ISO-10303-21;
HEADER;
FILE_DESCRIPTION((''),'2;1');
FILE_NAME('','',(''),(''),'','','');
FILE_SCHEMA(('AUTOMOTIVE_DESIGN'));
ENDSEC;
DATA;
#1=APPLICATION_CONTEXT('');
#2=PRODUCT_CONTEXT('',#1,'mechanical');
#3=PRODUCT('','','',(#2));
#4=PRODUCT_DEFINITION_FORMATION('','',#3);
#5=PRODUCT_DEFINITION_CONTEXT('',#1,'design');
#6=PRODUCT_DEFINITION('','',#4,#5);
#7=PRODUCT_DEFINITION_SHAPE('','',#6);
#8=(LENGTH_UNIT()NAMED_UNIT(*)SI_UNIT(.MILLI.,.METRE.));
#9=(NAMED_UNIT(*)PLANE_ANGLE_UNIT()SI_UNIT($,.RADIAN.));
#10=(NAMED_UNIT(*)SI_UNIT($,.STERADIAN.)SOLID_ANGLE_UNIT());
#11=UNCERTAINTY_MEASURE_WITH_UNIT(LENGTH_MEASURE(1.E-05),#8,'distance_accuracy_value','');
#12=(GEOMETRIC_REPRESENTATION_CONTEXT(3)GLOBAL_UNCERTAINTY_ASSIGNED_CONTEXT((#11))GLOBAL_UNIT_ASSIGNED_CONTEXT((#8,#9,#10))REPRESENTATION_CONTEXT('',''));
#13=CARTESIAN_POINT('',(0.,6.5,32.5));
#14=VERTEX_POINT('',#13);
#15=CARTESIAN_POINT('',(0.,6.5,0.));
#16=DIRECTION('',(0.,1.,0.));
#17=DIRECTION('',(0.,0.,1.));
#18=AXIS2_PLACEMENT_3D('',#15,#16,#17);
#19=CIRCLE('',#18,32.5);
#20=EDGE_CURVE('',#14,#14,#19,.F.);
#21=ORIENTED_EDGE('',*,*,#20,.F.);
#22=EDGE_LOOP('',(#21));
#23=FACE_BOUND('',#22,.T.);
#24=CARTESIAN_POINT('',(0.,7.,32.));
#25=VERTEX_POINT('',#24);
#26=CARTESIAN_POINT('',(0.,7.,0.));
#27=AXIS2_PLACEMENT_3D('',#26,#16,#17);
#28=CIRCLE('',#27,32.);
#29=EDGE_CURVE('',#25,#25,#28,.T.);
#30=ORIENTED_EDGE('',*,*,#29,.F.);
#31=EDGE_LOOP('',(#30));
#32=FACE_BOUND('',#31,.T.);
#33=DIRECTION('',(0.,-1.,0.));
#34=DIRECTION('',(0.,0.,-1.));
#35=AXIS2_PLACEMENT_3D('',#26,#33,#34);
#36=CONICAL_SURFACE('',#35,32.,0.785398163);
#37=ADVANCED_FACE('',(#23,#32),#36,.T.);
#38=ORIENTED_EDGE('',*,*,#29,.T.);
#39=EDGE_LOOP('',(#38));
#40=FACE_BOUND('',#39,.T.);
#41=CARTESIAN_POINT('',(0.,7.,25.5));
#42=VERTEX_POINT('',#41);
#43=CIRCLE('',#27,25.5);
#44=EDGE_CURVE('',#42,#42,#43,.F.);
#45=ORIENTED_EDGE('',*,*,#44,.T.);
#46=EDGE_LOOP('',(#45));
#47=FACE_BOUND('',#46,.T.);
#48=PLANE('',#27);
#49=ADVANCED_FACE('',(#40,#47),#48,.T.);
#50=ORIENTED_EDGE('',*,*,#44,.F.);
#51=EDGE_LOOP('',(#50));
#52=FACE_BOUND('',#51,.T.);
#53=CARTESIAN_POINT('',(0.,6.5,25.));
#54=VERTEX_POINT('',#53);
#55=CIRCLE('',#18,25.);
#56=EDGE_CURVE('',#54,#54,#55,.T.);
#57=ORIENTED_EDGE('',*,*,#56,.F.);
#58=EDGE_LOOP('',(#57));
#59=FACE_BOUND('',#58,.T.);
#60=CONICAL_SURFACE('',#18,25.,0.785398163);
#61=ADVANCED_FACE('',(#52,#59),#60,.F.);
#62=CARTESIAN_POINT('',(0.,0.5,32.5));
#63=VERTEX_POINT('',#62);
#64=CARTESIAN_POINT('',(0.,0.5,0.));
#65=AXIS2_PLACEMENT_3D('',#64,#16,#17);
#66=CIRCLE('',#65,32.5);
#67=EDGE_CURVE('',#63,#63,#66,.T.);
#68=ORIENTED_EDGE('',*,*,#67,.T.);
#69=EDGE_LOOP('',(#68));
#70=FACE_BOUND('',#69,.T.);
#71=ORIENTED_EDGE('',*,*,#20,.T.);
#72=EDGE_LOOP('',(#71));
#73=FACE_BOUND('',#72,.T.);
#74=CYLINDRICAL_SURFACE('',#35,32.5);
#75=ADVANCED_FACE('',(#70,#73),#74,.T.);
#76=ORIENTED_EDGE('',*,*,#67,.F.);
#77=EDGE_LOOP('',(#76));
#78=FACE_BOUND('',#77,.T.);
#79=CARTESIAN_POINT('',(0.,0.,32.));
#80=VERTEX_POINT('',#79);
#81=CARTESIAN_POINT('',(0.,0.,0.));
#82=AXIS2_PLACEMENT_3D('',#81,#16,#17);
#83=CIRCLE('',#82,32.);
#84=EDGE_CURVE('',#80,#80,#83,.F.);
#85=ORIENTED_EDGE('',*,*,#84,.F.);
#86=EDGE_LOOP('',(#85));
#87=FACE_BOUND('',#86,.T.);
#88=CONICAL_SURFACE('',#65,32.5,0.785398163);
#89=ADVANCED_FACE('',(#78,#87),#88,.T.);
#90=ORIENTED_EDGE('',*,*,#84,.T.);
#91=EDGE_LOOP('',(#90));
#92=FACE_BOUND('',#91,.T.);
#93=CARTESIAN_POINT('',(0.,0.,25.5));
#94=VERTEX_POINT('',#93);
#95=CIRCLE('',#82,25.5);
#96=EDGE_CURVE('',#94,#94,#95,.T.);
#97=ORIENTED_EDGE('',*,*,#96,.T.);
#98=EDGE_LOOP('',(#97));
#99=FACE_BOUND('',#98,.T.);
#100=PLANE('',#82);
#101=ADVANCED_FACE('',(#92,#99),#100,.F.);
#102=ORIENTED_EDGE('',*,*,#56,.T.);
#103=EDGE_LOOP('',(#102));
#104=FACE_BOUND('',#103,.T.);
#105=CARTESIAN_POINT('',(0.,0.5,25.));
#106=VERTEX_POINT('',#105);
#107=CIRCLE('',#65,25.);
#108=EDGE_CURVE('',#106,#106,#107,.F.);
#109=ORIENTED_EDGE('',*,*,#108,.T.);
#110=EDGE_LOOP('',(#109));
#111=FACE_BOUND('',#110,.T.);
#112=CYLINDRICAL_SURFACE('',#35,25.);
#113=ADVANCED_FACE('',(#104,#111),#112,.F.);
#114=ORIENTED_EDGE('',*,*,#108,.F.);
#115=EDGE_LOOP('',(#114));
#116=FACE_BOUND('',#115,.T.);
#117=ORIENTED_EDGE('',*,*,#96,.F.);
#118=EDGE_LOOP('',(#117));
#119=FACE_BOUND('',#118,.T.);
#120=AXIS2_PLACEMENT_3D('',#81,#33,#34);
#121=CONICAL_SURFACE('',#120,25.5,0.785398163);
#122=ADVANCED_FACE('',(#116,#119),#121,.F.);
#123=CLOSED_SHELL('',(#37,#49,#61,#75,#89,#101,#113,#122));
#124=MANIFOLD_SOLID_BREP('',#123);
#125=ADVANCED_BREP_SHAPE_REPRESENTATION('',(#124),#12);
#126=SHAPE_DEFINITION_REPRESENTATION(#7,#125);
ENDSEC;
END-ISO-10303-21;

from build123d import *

# Parameters (mm, degrees)
SKETCH_1_R      = 32.5
SKETCH_1_R_2    = 25
EXTRUDE_1_DEPTH = 7
CHAMFER_1_SIZE  = 0.5


with BuildPart() as part:
    # 草图1 → 凸台-拉伸1 (new body)
    with BuildSketch(Plane(origin=(0, 0, 0), x_dir=(1, 0, 0), z_dir=(0, 1, 0))):
        Circle(SKETCH_1_R)
        Circle(SKETCH_1_R_2, mode=Mode.SUBTRACT)
    extrude(amount=EXTRUDE_1_DEPTH)

    # 倒角1
    chamfer_1_edges = [part.edges().sort_by_distance(p)[0] for p in [
        (-32.5, 0, 0),
        (-32.5, 7, 0),
        (-25, 0, 0),
        (-25, 7, 0),
    ]]
    chamfer(chamfer_1_edges, length=CHAMFER_1_SIZE)


solid = part.part
